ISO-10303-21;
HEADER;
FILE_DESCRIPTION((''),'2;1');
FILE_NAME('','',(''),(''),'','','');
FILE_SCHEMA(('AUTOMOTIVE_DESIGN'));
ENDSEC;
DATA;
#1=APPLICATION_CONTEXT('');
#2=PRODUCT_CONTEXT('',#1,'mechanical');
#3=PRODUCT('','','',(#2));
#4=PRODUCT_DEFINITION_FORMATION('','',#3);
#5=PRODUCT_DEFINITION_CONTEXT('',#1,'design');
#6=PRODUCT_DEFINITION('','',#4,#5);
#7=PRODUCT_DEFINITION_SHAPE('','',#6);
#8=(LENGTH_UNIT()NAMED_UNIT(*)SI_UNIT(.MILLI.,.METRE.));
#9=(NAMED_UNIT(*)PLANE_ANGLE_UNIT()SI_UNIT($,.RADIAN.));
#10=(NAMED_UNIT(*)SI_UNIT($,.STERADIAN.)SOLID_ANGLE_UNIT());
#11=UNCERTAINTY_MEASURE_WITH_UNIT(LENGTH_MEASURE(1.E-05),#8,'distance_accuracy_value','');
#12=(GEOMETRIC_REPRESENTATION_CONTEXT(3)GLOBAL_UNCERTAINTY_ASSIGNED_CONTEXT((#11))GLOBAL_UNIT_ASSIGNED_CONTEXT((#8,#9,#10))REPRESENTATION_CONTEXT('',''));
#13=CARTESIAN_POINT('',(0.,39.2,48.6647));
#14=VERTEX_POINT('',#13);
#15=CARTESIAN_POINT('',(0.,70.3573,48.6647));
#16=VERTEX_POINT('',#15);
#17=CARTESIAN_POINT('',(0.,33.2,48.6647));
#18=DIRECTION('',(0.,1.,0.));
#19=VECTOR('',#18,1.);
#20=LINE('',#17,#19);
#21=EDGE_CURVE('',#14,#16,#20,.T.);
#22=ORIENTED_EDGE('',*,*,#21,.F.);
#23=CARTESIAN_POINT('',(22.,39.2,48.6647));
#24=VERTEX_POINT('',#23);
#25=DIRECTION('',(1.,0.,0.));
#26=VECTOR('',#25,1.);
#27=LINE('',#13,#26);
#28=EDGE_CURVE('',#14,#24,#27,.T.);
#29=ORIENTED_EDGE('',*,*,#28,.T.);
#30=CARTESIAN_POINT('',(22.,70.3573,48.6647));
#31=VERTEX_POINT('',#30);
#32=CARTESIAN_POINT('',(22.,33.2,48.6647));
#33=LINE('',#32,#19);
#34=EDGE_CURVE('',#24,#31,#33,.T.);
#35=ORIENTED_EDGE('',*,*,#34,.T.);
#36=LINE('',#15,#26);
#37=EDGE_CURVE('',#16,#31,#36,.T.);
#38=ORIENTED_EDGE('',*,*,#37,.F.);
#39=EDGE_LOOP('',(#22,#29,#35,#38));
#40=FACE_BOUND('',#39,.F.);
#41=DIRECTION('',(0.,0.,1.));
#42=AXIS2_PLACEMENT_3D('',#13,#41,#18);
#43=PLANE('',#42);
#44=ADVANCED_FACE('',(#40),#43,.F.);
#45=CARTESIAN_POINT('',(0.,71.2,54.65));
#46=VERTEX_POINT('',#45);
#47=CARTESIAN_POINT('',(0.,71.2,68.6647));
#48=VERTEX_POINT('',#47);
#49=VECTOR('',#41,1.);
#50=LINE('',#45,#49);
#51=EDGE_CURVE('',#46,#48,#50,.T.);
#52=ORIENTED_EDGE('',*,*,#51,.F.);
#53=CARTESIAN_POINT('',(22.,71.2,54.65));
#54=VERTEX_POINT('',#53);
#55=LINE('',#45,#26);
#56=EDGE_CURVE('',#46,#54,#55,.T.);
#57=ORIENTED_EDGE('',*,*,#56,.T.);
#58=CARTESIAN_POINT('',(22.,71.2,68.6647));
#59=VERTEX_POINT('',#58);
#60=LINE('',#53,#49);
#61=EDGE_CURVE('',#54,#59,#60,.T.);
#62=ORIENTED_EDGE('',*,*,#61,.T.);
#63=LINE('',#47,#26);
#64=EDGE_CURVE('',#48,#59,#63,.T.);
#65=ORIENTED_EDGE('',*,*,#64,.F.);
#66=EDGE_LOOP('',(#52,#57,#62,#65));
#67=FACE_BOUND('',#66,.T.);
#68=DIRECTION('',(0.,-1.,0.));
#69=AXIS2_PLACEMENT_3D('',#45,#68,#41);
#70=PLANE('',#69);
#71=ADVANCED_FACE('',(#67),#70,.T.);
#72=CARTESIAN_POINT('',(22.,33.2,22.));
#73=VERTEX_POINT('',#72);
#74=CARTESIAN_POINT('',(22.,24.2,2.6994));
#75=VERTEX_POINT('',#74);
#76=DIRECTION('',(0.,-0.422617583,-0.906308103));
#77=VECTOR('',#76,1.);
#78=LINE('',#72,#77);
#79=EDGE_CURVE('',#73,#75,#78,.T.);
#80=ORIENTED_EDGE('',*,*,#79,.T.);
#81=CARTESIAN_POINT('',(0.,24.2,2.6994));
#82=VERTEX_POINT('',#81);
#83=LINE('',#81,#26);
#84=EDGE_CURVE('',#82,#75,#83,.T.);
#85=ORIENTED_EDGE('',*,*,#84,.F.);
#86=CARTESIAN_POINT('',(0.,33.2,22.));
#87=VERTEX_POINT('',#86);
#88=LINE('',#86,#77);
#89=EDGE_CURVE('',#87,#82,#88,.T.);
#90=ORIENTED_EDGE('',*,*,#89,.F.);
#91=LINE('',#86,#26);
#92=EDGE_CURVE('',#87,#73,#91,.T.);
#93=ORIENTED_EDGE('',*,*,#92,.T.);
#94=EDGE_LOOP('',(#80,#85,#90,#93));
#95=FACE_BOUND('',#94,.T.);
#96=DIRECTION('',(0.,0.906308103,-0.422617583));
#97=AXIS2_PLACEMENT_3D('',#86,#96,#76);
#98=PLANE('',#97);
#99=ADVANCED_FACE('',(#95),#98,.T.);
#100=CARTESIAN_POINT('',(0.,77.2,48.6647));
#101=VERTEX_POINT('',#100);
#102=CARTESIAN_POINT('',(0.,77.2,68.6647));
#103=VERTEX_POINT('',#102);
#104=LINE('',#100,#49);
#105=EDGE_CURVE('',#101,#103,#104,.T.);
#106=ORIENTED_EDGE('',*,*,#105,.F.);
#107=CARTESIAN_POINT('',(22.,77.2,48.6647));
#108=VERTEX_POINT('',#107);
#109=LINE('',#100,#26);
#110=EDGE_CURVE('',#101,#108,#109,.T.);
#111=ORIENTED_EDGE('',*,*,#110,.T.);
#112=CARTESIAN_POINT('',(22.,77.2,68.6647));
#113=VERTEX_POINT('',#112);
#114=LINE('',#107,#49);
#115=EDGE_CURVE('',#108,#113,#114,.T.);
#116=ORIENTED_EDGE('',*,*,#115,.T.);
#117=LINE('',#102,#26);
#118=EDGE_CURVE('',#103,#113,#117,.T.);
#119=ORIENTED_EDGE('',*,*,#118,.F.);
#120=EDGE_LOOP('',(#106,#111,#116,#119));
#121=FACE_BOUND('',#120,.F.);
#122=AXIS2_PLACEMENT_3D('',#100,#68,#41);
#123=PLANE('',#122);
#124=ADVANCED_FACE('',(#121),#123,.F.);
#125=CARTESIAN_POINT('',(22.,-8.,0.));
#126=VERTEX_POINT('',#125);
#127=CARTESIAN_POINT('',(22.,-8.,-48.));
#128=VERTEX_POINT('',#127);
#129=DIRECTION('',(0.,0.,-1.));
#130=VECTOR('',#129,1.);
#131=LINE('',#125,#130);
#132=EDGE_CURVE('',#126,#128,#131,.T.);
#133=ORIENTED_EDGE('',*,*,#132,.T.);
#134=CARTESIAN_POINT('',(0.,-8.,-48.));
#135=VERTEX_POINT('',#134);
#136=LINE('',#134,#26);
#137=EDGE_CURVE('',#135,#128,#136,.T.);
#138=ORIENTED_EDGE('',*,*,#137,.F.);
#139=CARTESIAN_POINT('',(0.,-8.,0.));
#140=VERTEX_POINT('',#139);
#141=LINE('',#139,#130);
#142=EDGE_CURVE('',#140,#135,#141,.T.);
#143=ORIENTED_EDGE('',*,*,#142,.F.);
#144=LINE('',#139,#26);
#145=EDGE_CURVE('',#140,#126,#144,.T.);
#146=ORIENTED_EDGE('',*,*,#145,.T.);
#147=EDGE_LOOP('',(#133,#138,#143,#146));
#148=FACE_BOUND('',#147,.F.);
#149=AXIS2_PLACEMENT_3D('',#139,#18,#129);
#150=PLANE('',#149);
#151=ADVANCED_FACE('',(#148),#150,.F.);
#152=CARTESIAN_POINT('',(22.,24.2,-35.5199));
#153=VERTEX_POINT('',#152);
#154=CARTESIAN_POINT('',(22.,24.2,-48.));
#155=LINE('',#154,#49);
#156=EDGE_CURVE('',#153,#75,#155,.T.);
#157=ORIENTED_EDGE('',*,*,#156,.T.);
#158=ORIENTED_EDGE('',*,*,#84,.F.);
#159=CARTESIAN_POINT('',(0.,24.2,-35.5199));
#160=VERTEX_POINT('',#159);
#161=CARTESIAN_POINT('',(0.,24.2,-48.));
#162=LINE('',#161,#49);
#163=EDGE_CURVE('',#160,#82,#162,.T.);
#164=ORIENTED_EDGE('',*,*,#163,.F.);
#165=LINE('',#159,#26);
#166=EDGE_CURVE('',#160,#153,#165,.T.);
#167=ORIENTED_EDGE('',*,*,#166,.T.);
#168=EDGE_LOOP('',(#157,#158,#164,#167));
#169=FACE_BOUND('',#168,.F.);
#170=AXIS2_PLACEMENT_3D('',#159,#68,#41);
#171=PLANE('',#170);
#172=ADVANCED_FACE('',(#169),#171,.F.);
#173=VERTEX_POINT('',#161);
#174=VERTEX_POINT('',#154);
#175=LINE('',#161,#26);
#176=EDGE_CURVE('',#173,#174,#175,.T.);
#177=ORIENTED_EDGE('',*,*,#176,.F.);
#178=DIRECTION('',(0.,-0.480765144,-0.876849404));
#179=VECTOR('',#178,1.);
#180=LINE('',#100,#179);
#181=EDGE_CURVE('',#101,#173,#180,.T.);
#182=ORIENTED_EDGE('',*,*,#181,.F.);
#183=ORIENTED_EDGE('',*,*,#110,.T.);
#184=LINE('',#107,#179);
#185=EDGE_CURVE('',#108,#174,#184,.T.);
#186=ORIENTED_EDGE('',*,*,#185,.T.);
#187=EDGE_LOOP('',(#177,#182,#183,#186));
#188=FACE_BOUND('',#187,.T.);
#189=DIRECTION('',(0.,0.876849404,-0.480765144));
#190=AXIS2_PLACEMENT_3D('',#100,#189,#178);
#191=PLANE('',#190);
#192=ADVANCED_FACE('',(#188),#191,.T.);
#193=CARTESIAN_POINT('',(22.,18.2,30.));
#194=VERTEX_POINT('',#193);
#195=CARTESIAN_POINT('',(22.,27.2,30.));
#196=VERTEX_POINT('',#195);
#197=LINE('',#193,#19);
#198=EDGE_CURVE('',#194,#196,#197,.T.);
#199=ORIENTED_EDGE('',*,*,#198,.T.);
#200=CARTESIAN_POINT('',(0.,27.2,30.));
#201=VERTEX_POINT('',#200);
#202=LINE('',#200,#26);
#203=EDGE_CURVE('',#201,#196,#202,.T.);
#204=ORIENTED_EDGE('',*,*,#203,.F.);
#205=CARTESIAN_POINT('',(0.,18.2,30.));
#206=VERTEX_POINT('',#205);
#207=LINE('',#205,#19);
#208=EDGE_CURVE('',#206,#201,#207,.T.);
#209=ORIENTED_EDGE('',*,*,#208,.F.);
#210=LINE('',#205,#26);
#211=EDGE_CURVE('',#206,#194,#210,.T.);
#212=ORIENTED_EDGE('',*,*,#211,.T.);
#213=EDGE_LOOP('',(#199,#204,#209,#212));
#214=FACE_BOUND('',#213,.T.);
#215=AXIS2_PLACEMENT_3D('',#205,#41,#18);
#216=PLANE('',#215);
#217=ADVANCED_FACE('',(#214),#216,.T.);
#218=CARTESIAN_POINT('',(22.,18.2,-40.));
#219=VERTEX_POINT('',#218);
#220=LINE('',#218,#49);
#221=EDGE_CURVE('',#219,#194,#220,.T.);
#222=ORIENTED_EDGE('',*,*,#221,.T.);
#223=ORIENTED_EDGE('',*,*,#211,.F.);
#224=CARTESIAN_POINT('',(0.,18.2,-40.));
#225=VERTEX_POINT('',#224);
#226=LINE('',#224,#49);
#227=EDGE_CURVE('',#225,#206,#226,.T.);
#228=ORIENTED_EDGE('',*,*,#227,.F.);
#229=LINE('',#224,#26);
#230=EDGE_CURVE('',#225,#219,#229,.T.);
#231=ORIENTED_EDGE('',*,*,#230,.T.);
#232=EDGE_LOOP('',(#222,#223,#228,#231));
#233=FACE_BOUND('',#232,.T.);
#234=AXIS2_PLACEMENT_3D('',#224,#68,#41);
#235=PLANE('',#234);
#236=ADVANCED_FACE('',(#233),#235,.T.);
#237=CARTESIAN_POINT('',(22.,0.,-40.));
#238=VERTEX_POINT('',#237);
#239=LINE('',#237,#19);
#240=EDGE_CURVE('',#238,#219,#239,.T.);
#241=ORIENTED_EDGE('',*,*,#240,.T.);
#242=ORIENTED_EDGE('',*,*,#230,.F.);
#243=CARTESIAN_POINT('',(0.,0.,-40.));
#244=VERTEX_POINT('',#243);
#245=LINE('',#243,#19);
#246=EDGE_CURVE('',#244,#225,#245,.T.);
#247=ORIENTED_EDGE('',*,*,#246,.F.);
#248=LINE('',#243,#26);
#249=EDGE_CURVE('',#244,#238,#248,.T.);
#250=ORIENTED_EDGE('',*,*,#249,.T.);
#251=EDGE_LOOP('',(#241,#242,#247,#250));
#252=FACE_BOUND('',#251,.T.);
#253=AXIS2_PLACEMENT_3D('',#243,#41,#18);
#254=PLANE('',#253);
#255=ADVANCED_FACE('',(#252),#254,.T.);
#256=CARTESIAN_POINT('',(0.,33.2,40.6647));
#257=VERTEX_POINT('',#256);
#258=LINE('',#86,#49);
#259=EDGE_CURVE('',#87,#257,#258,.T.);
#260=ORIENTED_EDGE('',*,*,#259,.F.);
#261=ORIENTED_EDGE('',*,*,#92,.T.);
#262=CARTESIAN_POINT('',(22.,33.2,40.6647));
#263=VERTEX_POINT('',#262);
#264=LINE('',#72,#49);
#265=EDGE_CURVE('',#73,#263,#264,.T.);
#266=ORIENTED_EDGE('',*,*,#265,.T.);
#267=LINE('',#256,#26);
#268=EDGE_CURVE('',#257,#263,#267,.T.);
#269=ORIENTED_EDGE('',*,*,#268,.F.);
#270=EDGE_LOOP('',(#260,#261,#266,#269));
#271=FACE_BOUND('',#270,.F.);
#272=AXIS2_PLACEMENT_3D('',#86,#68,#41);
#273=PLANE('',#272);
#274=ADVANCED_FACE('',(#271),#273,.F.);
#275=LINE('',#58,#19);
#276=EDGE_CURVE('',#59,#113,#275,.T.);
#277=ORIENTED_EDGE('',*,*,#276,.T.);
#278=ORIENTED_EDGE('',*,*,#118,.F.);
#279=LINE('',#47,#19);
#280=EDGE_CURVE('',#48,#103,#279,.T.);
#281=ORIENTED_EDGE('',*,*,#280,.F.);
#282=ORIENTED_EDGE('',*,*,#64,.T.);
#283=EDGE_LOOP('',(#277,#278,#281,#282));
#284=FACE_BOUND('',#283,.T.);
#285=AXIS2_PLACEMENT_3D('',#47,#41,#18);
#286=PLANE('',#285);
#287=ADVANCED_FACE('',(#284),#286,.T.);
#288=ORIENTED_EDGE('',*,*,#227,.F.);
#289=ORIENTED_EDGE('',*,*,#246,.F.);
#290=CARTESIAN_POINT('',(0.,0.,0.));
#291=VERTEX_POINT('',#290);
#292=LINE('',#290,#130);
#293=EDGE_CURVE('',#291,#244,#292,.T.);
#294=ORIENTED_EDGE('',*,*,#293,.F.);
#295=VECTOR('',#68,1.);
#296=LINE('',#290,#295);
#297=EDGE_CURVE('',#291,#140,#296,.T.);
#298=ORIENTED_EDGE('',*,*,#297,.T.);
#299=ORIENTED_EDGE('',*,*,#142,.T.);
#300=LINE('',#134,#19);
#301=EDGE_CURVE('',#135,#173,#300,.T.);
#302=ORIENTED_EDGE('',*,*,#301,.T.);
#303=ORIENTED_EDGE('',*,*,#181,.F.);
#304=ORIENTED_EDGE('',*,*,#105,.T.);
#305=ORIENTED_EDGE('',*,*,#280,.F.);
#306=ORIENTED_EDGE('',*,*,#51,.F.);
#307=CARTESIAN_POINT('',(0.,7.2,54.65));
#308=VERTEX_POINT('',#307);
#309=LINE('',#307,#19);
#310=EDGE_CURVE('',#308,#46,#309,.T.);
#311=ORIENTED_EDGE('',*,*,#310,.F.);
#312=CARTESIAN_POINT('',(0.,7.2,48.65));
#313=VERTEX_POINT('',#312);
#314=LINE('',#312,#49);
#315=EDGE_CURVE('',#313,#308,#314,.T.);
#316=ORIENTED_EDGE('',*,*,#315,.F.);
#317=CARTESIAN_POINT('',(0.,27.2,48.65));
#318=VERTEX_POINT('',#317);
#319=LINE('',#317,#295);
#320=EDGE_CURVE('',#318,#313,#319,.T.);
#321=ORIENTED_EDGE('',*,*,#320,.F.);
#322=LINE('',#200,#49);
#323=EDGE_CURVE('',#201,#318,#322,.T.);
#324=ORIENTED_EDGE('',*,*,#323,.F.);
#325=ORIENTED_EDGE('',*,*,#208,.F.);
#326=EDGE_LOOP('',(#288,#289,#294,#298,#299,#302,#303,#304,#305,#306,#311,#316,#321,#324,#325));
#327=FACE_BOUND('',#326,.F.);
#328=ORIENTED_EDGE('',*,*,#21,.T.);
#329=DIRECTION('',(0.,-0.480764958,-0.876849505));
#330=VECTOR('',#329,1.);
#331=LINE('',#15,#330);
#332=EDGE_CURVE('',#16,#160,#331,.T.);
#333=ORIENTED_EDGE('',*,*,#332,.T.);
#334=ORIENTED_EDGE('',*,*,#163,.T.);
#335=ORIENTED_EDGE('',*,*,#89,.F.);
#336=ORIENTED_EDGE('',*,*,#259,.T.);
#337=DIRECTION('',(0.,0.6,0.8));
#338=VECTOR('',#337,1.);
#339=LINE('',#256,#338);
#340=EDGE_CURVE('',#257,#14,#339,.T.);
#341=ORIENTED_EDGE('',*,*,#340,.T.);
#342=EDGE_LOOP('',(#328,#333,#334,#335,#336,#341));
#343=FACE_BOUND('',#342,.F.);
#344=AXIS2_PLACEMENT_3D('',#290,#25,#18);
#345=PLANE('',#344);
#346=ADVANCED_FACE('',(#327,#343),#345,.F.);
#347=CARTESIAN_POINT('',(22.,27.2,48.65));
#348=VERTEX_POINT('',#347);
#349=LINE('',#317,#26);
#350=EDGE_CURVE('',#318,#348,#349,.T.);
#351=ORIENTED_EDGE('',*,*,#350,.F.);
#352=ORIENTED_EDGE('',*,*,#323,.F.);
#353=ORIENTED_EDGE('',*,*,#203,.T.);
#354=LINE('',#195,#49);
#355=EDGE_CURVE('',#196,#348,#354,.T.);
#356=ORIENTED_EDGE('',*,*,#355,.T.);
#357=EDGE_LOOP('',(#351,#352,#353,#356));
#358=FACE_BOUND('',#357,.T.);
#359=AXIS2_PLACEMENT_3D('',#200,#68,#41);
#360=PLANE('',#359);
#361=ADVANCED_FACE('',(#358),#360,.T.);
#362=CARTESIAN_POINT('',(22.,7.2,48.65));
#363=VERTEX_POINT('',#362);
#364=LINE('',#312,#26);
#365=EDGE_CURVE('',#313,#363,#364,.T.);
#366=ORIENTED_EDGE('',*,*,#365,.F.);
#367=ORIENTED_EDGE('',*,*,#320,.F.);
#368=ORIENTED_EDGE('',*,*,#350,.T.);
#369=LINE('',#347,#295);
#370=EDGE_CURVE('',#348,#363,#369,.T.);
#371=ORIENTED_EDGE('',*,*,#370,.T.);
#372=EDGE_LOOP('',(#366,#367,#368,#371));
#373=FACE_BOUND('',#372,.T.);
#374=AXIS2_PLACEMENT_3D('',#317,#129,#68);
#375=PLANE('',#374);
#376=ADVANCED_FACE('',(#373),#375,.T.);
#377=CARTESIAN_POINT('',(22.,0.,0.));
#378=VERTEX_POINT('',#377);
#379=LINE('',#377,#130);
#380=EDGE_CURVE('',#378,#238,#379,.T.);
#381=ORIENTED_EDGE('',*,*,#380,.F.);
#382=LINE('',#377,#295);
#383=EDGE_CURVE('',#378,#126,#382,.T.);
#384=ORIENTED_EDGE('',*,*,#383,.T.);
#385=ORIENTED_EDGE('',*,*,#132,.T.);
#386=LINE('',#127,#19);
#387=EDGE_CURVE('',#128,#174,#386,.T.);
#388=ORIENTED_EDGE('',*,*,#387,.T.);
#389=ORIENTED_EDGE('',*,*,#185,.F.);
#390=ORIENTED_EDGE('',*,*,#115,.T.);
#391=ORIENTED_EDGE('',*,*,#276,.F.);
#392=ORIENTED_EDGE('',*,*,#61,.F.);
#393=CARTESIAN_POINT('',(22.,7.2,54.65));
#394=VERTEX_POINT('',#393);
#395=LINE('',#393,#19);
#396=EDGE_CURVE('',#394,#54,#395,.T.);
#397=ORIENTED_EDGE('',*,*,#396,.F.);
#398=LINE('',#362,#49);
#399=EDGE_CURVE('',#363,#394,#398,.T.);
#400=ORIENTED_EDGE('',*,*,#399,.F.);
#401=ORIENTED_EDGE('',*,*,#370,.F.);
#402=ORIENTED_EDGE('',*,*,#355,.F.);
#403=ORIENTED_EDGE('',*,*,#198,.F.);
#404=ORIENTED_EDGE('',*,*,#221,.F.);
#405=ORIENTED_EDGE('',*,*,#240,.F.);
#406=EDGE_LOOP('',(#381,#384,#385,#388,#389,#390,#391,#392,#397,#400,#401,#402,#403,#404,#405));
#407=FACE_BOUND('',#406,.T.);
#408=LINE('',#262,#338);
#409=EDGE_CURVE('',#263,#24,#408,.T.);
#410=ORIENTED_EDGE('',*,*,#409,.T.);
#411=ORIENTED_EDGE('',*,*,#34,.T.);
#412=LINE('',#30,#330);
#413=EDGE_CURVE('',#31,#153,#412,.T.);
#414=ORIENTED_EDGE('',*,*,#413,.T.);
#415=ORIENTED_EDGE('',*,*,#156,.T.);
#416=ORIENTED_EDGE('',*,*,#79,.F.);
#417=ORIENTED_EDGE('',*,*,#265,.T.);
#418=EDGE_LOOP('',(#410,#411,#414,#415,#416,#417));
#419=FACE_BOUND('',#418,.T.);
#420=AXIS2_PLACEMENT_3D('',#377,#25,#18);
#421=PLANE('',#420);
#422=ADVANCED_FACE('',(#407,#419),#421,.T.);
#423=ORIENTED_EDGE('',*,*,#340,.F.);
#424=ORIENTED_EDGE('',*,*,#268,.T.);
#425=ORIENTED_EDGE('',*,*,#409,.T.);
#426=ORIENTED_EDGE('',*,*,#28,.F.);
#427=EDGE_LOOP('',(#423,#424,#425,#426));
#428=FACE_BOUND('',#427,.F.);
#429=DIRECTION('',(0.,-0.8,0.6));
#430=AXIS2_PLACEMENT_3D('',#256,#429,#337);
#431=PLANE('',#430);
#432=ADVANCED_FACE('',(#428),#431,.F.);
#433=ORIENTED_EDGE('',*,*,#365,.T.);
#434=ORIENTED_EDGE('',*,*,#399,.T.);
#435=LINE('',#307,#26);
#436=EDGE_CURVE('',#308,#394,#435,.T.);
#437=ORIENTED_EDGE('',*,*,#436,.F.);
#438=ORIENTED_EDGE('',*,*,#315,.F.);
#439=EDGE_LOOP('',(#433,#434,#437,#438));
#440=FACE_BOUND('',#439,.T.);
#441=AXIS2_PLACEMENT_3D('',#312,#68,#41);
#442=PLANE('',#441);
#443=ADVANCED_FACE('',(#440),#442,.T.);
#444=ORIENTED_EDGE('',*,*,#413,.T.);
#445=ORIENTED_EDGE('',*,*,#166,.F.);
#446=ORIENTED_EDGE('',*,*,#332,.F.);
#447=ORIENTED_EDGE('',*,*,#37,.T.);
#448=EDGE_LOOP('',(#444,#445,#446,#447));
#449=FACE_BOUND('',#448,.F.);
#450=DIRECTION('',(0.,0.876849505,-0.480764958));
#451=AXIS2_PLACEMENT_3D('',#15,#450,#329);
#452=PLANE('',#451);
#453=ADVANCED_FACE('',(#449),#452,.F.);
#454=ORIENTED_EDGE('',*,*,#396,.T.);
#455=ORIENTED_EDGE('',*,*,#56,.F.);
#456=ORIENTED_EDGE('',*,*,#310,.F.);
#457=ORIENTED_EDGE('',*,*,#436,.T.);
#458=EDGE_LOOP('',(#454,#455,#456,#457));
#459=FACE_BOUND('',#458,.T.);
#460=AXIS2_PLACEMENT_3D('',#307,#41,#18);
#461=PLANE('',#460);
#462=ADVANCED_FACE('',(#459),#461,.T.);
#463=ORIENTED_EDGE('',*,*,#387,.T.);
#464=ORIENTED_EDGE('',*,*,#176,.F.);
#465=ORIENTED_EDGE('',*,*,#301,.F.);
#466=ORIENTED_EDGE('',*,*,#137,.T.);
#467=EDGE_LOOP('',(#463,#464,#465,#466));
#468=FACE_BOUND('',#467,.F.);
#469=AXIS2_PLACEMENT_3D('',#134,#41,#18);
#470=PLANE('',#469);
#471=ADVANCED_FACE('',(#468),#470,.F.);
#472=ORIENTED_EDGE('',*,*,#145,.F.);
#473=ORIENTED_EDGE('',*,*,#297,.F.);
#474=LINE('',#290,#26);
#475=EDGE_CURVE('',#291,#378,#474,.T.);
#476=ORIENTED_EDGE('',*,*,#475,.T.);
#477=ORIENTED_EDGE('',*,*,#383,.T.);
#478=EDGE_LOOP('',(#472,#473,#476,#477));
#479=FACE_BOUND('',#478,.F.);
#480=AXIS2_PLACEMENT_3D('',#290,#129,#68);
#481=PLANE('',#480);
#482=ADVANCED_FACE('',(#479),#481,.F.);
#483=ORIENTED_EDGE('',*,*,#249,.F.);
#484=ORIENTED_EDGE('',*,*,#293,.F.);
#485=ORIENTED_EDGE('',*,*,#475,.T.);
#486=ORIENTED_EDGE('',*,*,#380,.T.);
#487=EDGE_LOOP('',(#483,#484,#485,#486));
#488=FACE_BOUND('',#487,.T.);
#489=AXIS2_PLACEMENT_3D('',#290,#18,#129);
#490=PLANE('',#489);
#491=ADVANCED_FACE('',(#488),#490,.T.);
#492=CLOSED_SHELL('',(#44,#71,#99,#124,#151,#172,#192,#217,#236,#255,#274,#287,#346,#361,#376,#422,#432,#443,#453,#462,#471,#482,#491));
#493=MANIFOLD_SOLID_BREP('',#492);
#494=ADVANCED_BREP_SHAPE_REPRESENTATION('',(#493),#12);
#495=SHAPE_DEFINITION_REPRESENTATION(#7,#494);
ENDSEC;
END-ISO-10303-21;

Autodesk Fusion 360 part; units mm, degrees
sketch "Sketch1" plane through (0, 0, 0) normal (1, 0, 0) x (0, 1, 0)
  line L0 (0, 0) -> (0, -40)
  line L1 (0, -40) -> (18.2, -40)
  line L2 (18.2, -40) -> (18.2, 30)
  line L3 (18.2, 30) -> (27.2, 30)
  line L4 (27.2, 30) -> (27.2, 48.65)
  line L5 (33.2, 48.6647) -> (77.2, 48.6647)
  line L6 (77.2, 48.6647) -> (77.2, 68.6647)
  line L7 (27.2, 48.65) -> (7.2, 48.65)
  line L8 (0, 0) -> (-8, 0)
  line L9 (-8, 0) -> (-8, -48)
  line L10 (-8, -48) -> (24.2, -48)
  line L11 (24.2, -48) -> (24.2, 2.6994)
  line L12 (33.2, 22) -> (33.2, 40.6647)
  line L13 (33.2, 40.6647) -> (33.2, 48.6647)
  line L14 (7.2, 48.65) -> (7.2, 54.65)
  line L15 (7.2, 54.65) -> (71.2, 54.65)
  line L16 (71.2, 54.65) -> (71.2, 68.6647)
  line L17 (71.2, 68.6647) -> (77.2, 68.6647)
  line L18 (33.2, 22) -> (24.2, 2.6994)
  line L19 (77.2, 48.6647) -> (24.2, -48)
  line L20 (70.3573, 48.6647) -> (24.2, -35.5199)
  line L21 (33.2, 40.6647) -> (39.2, 48.6647)
  dimension "d1" = 40
  dimension "d2" = 18.2
  dimension "d3" = 70
  dimension "d4" = 9
  dimension "d5" = 18.65
  dimension "d6" = 50
  dimension "d7" = 20
  dimension "d8" = 20
  dimension "d9" = 8
  dimension "d10" = 8
  dimension "d11" = 6
  dimension "d13" = 6
  dimension "d14" = 25
  dimension "d15" = 8
  dimension "d16" = 6
  dimension "d17" = 6
  dimension "d18" = 44
  dimension "d21" = 6
  dimension "d22" = 6
  dimension "d23" = 8
extrude "Extrude1" add sketch "Sketch1" along normal blind 22 contours L0 L1 L2 L3 L4 L5 L6 L7 L8 L9 L10 L11 L12 L13 L14 L15 L16 L17 L18 | L5 L11 L19 L20 | L5 L13 L21
